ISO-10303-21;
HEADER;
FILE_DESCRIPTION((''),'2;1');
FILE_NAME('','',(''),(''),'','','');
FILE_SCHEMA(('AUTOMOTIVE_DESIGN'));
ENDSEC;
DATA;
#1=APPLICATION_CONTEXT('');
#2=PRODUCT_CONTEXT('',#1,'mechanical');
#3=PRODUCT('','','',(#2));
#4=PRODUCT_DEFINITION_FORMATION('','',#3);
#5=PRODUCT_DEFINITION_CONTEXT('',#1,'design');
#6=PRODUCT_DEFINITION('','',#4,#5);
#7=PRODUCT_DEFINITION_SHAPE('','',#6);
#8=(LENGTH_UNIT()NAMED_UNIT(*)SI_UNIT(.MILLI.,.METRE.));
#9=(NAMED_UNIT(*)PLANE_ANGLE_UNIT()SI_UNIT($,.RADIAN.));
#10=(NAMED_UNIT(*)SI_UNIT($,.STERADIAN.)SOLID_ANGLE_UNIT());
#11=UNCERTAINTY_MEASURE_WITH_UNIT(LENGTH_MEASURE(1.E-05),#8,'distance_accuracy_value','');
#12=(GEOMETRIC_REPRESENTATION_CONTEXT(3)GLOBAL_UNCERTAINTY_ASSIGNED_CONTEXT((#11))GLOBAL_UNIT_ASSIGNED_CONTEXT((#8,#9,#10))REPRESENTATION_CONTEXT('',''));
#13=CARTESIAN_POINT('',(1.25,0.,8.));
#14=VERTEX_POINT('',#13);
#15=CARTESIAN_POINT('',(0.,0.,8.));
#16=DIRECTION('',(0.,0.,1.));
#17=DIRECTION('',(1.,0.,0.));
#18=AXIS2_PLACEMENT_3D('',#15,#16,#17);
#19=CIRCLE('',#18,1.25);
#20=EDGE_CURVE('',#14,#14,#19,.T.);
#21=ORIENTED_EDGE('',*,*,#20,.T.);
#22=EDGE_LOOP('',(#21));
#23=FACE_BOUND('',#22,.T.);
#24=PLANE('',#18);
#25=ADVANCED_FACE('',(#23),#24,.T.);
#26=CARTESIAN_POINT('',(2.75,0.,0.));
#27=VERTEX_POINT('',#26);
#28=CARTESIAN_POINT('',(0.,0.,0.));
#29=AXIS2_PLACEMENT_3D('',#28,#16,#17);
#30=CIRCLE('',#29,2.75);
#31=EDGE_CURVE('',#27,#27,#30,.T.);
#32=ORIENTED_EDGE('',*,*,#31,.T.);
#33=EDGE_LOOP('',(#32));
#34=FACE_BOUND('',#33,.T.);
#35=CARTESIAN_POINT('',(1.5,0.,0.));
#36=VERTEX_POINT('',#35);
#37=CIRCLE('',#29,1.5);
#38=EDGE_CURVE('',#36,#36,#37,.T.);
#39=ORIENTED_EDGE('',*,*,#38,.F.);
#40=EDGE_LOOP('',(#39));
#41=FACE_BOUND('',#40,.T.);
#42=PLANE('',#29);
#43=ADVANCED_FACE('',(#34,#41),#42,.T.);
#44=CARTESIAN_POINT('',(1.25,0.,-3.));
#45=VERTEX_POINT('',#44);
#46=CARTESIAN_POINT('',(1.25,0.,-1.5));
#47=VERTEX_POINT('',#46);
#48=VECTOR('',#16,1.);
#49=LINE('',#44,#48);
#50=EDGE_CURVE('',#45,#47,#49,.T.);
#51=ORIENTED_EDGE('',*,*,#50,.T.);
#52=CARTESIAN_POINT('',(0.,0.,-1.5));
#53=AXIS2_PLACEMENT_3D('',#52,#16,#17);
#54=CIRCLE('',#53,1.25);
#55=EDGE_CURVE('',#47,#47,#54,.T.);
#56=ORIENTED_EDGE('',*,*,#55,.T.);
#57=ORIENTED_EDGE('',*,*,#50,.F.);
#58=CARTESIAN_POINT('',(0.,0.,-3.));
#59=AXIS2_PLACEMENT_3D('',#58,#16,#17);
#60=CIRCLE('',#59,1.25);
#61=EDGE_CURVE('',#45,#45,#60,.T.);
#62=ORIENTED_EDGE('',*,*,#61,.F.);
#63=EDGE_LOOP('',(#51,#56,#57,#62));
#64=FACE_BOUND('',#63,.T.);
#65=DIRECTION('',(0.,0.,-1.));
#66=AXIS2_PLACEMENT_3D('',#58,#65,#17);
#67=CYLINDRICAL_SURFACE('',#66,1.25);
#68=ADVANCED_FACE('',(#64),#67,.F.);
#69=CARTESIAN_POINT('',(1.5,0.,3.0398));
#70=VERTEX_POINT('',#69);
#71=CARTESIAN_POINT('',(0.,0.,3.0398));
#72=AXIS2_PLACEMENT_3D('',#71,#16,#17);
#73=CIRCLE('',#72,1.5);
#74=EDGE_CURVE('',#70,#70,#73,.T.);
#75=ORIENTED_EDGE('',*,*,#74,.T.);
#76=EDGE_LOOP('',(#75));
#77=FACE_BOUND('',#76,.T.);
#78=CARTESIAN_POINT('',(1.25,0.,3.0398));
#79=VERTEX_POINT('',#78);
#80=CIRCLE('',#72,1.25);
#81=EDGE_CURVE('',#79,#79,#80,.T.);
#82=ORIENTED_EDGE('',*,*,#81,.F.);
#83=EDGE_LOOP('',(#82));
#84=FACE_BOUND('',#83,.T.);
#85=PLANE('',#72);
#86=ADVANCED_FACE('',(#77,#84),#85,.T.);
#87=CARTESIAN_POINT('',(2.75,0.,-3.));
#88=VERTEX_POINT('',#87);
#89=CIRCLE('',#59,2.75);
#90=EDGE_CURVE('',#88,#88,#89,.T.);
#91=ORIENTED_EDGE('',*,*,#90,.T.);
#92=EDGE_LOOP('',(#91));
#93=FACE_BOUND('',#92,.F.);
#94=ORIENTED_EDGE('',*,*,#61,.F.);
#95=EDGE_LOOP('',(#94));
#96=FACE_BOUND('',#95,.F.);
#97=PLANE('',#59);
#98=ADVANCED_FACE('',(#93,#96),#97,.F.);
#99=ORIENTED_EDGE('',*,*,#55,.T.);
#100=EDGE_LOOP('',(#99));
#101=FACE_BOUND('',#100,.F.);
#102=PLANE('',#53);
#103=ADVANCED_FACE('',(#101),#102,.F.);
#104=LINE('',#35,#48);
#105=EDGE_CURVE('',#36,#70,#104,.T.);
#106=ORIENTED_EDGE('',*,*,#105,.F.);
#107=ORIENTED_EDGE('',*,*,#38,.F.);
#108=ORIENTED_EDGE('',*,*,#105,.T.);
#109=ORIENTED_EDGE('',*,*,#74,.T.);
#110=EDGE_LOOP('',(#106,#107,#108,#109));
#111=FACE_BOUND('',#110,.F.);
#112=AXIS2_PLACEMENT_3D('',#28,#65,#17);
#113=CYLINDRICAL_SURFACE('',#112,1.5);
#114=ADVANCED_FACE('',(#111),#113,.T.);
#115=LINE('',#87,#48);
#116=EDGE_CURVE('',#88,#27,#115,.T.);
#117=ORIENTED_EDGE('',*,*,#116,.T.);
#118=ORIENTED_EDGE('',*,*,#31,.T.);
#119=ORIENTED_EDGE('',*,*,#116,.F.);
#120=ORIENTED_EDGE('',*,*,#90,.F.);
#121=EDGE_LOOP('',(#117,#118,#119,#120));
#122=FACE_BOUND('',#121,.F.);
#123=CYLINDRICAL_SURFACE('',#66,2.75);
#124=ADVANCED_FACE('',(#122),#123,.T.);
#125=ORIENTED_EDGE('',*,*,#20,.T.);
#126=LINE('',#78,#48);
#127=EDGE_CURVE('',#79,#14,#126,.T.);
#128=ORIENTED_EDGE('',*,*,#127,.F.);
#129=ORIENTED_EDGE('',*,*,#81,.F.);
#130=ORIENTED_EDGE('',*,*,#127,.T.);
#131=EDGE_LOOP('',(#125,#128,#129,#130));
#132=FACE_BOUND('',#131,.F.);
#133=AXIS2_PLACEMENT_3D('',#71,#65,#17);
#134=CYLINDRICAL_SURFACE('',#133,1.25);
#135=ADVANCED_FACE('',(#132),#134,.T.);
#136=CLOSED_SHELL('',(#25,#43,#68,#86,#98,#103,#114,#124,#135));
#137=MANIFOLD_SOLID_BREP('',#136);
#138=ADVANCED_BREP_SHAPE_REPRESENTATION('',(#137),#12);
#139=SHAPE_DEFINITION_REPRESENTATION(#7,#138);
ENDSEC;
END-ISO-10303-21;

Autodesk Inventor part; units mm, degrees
ref_plane "Work Plane1" through (0, 0, -3) normal (0, 0, 1) x (1, 0, 0)
sketch "Sketch1" plane through (0, 0, -3) normal (0, 0, 1) x (1, 0, 0)
  circle A0 centre (0, 0) radius 2.75
extrude "M3_Head_Envelope" add sketch "Sketch1" along normal blind 3
sketch "Sketch2" plane through (0, 0, 0) normal (0, 0, 1) x (1, 0, 0)
  circle A0 centre (0, 0) radius 1.5
extrude "M3_Clearance_Grip" add sketch "Sketch2" along normal blind 3.0398
ref_plane "Work Plane2" through (0, 0, 3.0398) normal (0, 0, 1) x (1, 0, 0)
sketch "Sketch3" plane through (0, 0, 3.0398) normal (0, 0, 1) x (1, 0, 0)
  circle A0 centre (0, 0) radius 1.25
extrude "Thread_Core_No_Helix" add sketch "Sketch3" along normal blind 4.9602
ref_plane "Work Plane3" through (0, 0, -3) normal (0, 0, 1) x (1, 0, 0)
sketch "Sketch4" plane through (0, 0, -3) normal (0, 0, 1) x (1, 0, 0)
  circle A0 centre (0, 0) radius 1.25
extrude "Extrusion4" cut sketch "Sketch4" along normal blind 1.5
properties part number "Device_M3x8_Simplified"
